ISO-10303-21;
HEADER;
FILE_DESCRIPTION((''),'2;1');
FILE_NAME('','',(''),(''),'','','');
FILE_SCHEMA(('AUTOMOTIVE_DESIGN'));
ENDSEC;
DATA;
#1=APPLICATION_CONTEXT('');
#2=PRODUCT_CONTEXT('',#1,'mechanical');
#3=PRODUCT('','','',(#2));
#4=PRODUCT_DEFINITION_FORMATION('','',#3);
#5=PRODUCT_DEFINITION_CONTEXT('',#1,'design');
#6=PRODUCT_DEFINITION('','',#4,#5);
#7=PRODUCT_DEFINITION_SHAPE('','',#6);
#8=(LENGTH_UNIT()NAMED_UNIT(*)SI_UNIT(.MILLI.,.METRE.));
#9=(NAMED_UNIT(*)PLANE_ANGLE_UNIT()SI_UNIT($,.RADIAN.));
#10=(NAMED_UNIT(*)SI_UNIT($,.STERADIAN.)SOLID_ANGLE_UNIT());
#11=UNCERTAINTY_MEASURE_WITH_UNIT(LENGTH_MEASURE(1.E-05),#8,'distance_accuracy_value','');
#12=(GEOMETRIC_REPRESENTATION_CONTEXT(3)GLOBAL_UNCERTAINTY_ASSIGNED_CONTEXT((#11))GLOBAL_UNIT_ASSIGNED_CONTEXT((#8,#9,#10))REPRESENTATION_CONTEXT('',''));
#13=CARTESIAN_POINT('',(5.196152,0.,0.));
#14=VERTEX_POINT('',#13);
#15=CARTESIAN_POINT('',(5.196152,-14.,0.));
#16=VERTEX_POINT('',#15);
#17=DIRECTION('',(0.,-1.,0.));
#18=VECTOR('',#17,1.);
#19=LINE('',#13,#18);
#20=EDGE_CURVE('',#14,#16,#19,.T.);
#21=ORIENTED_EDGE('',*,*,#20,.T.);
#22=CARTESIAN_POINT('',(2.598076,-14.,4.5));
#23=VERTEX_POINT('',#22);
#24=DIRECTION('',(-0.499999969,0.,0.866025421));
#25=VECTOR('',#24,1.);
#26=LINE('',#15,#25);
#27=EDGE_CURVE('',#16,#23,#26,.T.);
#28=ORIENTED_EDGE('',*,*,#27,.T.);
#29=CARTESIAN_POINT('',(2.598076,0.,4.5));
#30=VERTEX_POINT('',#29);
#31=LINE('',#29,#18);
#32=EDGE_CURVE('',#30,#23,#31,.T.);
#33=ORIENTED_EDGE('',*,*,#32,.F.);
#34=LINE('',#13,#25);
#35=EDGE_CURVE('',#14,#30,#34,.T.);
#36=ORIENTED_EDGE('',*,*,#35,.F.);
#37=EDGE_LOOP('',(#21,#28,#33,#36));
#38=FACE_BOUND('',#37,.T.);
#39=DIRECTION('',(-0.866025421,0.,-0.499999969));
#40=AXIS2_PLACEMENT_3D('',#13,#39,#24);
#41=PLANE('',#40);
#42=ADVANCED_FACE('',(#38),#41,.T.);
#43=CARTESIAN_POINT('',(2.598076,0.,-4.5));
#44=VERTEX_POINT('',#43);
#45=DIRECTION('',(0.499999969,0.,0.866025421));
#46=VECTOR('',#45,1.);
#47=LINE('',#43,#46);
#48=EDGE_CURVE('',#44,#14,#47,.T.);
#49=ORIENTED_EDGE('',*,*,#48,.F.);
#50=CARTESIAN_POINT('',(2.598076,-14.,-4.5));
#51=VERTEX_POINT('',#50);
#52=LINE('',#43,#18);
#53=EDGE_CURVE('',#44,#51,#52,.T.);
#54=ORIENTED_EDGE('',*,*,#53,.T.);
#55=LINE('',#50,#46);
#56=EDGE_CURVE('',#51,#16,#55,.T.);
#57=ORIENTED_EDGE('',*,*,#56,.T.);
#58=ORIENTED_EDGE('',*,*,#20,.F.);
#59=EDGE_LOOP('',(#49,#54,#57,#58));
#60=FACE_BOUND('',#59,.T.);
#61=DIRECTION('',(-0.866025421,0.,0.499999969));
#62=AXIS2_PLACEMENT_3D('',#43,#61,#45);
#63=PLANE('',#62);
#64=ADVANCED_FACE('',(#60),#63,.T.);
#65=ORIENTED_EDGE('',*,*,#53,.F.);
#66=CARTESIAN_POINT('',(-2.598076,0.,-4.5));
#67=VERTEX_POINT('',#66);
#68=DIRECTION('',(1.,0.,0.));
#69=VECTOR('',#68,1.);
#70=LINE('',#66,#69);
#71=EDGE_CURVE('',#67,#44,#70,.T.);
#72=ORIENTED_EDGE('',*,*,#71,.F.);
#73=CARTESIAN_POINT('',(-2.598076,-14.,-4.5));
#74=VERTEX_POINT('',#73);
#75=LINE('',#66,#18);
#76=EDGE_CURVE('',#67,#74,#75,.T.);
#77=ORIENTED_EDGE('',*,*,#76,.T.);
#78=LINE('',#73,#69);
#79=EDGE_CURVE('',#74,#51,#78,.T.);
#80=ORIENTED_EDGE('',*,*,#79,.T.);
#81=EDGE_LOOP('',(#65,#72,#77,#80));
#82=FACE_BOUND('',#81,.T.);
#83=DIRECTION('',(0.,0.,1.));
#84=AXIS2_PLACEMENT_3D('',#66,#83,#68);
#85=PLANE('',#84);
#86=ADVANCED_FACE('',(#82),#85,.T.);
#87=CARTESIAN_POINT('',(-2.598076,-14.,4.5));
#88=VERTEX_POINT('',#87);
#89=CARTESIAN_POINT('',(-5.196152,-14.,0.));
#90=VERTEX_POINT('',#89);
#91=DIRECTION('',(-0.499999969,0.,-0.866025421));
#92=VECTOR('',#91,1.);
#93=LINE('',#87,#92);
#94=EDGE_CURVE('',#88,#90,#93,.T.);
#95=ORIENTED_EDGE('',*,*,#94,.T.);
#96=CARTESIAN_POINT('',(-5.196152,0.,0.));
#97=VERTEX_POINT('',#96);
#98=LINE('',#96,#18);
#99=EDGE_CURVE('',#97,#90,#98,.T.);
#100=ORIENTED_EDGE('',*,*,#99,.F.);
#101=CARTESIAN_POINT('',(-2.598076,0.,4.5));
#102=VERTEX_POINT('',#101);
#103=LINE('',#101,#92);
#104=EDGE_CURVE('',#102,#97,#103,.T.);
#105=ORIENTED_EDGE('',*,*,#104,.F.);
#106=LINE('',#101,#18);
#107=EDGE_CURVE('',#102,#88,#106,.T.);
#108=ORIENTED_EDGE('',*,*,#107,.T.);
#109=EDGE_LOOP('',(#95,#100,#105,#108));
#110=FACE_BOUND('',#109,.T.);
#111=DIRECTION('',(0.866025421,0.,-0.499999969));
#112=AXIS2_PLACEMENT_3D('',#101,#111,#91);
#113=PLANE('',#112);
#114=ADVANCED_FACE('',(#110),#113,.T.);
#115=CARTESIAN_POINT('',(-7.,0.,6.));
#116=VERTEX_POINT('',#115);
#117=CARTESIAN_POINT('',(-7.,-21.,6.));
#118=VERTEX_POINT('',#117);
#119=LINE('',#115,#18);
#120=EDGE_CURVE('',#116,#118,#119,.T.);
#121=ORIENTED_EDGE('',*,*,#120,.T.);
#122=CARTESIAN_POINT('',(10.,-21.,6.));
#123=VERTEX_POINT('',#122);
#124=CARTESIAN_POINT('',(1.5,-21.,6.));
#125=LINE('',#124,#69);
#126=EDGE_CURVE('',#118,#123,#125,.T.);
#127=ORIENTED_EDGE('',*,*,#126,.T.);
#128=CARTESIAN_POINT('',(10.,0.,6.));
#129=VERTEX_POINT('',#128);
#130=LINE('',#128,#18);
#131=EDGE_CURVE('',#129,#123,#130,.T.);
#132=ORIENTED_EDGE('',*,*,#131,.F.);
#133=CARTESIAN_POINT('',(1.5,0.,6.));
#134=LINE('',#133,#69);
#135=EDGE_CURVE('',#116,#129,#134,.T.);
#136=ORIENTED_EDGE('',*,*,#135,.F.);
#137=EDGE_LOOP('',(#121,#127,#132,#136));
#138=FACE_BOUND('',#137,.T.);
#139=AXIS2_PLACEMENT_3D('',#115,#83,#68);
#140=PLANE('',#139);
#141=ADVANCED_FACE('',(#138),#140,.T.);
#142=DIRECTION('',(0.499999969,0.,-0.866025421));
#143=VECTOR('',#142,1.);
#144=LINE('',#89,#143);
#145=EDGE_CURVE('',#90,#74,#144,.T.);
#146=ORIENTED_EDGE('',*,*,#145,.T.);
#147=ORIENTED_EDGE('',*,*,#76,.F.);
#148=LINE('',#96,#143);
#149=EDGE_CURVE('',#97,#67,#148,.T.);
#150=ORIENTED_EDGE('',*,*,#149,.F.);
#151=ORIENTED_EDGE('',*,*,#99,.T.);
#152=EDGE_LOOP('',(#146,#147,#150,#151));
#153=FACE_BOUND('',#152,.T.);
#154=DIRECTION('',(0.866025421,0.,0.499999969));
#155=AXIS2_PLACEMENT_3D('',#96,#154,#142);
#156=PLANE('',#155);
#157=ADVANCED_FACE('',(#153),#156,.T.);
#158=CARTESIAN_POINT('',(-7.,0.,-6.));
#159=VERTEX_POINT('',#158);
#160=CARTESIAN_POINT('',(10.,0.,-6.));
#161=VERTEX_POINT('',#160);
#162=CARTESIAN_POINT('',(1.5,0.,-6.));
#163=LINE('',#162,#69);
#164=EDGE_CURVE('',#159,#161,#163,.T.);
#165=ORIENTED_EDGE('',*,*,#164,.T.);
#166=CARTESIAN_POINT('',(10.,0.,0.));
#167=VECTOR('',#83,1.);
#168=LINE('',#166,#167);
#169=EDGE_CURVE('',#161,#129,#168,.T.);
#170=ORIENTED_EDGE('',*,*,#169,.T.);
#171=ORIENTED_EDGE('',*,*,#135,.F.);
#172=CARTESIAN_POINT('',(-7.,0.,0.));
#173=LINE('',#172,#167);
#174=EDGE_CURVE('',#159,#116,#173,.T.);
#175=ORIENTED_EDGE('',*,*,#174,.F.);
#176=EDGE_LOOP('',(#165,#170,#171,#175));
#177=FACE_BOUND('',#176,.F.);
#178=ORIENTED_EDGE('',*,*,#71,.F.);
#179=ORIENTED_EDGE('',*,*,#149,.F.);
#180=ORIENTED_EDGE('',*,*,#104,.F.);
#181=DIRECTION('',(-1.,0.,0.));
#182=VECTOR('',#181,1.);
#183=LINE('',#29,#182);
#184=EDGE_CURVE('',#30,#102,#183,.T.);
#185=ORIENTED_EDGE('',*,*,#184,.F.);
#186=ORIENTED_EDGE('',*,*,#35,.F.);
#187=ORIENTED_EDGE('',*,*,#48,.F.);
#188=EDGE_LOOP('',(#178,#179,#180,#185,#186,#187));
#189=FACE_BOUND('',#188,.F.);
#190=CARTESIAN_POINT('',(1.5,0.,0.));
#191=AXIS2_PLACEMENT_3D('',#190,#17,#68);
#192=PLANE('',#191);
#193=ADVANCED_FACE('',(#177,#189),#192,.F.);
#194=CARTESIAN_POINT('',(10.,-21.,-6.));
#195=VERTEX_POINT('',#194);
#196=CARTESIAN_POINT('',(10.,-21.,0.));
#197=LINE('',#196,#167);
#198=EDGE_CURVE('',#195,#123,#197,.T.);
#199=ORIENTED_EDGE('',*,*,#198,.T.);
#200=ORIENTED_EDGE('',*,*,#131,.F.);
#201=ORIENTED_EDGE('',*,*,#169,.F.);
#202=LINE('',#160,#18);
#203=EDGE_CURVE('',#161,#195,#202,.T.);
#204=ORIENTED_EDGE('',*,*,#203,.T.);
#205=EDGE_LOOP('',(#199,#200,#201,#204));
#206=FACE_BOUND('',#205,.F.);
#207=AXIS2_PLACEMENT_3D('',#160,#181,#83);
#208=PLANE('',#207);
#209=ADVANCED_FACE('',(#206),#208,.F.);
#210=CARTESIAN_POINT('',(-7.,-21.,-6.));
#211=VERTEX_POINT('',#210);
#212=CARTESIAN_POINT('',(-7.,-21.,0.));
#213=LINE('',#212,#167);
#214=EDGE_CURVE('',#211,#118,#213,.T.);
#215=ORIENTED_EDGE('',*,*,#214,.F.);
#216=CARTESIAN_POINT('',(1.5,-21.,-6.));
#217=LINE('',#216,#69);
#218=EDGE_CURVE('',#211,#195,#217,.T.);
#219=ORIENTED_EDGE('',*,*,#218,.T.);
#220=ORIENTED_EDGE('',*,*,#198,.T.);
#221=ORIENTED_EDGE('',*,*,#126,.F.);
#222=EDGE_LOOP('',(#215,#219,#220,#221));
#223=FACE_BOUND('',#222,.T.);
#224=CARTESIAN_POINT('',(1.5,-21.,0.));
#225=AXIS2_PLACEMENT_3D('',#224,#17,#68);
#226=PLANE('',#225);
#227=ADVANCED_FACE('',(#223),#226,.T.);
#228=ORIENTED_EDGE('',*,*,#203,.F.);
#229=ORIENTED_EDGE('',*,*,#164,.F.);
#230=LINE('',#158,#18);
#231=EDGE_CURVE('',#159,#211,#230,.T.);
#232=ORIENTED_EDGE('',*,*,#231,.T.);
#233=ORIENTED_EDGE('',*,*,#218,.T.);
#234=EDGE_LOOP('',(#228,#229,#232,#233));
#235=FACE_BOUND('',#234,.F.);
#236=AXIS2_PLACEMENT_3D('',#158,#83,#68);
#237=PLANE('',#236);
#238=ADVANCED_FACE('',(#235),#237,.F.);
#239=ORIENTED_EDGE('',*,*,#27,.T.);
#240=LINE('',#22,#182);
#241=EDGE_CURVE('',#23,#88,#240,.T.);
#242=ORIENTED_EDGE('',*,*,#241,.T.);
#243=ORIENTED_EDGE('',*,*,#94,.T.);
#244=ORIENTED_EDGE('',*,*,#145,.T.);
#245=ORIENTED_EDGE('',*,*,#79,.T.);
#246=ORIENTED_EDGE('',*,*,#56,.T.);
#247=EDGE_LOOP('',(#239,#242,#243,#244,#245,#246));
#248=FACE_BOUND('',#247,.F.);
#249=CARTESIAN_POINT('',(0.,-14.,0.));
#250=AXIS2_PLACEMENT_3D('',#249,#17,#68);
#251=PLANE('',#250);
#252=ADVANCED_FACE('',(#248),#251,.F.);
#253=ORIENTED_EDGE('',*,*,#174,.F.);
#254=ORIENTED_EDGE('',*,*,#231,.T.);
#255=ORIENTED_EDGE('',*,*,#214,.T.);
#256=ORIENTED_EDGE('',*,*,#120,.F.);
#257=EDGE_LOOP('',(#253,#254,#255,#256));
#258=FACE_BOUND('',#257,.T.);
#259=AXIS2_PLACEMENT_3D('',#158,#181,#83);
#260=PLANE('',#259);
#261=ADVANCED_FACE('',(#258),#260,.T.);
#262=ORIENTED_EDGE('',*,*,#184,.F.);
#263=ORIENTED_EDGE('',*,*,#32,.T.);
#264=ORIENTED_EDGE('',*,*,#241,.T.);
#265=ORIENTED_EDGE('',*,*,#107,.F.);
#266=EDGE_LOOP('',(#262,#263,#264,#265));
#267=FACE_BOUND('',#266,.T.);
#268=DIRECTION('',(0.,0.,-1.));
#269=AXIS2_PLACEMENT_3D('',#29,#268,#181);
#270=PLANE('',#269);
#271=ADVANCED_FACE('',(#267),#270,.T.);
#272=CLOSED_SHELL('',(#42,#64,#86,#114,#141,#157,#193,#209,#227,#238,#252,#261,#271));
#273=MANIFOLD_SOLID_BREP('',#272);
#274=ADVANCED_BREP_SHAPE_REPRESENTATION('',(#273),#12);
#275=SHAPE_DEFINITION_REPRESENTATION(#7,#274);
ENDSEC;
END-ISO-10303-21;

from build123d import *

# Parameters (mm, degrees)
F0_W     = 17
F0_H     = 12
F1_DEPTH = 21
F2_DEPTH = 14


with BuildPart() as f1:
    # F0 (on Front) → F1 (new body)
    with BuildSketch(Plane.XZ):
        with Locations((1.5, 0)):
            Rectangle(F0_W, F0_H)
        Polygon((-5.196152, 0), (-2.598076, 4.5), (2.598076, 4.5), (5.196152, 0), (2.598076, -4.5), (-2.598076, -4.5), align=None, mode=Mode.SUBTRACT)
        Polygon((2.598076, 4.5), (-2.598076, 4.5), (-5.196152, 0), (-2.598076, -4.5), (2.598076, -4.5), (5.196152, 0), align=None)
    extrude(amount=F1_DEPTH)

    # F0 (on Front) → F2 (cut)
    with BuildSketch(Plane.XZ):
        Polygon((2.598076, 4.5), (-2.598076, 4.5), (-5.196152, 0), (-2.598076, -4.5), (2.598076, -4.5), (5.196152, 0), align=None)
    extrude(amount=F2_DEPTH, mode=Mode.SUBTRACT)


solid = f1.part
